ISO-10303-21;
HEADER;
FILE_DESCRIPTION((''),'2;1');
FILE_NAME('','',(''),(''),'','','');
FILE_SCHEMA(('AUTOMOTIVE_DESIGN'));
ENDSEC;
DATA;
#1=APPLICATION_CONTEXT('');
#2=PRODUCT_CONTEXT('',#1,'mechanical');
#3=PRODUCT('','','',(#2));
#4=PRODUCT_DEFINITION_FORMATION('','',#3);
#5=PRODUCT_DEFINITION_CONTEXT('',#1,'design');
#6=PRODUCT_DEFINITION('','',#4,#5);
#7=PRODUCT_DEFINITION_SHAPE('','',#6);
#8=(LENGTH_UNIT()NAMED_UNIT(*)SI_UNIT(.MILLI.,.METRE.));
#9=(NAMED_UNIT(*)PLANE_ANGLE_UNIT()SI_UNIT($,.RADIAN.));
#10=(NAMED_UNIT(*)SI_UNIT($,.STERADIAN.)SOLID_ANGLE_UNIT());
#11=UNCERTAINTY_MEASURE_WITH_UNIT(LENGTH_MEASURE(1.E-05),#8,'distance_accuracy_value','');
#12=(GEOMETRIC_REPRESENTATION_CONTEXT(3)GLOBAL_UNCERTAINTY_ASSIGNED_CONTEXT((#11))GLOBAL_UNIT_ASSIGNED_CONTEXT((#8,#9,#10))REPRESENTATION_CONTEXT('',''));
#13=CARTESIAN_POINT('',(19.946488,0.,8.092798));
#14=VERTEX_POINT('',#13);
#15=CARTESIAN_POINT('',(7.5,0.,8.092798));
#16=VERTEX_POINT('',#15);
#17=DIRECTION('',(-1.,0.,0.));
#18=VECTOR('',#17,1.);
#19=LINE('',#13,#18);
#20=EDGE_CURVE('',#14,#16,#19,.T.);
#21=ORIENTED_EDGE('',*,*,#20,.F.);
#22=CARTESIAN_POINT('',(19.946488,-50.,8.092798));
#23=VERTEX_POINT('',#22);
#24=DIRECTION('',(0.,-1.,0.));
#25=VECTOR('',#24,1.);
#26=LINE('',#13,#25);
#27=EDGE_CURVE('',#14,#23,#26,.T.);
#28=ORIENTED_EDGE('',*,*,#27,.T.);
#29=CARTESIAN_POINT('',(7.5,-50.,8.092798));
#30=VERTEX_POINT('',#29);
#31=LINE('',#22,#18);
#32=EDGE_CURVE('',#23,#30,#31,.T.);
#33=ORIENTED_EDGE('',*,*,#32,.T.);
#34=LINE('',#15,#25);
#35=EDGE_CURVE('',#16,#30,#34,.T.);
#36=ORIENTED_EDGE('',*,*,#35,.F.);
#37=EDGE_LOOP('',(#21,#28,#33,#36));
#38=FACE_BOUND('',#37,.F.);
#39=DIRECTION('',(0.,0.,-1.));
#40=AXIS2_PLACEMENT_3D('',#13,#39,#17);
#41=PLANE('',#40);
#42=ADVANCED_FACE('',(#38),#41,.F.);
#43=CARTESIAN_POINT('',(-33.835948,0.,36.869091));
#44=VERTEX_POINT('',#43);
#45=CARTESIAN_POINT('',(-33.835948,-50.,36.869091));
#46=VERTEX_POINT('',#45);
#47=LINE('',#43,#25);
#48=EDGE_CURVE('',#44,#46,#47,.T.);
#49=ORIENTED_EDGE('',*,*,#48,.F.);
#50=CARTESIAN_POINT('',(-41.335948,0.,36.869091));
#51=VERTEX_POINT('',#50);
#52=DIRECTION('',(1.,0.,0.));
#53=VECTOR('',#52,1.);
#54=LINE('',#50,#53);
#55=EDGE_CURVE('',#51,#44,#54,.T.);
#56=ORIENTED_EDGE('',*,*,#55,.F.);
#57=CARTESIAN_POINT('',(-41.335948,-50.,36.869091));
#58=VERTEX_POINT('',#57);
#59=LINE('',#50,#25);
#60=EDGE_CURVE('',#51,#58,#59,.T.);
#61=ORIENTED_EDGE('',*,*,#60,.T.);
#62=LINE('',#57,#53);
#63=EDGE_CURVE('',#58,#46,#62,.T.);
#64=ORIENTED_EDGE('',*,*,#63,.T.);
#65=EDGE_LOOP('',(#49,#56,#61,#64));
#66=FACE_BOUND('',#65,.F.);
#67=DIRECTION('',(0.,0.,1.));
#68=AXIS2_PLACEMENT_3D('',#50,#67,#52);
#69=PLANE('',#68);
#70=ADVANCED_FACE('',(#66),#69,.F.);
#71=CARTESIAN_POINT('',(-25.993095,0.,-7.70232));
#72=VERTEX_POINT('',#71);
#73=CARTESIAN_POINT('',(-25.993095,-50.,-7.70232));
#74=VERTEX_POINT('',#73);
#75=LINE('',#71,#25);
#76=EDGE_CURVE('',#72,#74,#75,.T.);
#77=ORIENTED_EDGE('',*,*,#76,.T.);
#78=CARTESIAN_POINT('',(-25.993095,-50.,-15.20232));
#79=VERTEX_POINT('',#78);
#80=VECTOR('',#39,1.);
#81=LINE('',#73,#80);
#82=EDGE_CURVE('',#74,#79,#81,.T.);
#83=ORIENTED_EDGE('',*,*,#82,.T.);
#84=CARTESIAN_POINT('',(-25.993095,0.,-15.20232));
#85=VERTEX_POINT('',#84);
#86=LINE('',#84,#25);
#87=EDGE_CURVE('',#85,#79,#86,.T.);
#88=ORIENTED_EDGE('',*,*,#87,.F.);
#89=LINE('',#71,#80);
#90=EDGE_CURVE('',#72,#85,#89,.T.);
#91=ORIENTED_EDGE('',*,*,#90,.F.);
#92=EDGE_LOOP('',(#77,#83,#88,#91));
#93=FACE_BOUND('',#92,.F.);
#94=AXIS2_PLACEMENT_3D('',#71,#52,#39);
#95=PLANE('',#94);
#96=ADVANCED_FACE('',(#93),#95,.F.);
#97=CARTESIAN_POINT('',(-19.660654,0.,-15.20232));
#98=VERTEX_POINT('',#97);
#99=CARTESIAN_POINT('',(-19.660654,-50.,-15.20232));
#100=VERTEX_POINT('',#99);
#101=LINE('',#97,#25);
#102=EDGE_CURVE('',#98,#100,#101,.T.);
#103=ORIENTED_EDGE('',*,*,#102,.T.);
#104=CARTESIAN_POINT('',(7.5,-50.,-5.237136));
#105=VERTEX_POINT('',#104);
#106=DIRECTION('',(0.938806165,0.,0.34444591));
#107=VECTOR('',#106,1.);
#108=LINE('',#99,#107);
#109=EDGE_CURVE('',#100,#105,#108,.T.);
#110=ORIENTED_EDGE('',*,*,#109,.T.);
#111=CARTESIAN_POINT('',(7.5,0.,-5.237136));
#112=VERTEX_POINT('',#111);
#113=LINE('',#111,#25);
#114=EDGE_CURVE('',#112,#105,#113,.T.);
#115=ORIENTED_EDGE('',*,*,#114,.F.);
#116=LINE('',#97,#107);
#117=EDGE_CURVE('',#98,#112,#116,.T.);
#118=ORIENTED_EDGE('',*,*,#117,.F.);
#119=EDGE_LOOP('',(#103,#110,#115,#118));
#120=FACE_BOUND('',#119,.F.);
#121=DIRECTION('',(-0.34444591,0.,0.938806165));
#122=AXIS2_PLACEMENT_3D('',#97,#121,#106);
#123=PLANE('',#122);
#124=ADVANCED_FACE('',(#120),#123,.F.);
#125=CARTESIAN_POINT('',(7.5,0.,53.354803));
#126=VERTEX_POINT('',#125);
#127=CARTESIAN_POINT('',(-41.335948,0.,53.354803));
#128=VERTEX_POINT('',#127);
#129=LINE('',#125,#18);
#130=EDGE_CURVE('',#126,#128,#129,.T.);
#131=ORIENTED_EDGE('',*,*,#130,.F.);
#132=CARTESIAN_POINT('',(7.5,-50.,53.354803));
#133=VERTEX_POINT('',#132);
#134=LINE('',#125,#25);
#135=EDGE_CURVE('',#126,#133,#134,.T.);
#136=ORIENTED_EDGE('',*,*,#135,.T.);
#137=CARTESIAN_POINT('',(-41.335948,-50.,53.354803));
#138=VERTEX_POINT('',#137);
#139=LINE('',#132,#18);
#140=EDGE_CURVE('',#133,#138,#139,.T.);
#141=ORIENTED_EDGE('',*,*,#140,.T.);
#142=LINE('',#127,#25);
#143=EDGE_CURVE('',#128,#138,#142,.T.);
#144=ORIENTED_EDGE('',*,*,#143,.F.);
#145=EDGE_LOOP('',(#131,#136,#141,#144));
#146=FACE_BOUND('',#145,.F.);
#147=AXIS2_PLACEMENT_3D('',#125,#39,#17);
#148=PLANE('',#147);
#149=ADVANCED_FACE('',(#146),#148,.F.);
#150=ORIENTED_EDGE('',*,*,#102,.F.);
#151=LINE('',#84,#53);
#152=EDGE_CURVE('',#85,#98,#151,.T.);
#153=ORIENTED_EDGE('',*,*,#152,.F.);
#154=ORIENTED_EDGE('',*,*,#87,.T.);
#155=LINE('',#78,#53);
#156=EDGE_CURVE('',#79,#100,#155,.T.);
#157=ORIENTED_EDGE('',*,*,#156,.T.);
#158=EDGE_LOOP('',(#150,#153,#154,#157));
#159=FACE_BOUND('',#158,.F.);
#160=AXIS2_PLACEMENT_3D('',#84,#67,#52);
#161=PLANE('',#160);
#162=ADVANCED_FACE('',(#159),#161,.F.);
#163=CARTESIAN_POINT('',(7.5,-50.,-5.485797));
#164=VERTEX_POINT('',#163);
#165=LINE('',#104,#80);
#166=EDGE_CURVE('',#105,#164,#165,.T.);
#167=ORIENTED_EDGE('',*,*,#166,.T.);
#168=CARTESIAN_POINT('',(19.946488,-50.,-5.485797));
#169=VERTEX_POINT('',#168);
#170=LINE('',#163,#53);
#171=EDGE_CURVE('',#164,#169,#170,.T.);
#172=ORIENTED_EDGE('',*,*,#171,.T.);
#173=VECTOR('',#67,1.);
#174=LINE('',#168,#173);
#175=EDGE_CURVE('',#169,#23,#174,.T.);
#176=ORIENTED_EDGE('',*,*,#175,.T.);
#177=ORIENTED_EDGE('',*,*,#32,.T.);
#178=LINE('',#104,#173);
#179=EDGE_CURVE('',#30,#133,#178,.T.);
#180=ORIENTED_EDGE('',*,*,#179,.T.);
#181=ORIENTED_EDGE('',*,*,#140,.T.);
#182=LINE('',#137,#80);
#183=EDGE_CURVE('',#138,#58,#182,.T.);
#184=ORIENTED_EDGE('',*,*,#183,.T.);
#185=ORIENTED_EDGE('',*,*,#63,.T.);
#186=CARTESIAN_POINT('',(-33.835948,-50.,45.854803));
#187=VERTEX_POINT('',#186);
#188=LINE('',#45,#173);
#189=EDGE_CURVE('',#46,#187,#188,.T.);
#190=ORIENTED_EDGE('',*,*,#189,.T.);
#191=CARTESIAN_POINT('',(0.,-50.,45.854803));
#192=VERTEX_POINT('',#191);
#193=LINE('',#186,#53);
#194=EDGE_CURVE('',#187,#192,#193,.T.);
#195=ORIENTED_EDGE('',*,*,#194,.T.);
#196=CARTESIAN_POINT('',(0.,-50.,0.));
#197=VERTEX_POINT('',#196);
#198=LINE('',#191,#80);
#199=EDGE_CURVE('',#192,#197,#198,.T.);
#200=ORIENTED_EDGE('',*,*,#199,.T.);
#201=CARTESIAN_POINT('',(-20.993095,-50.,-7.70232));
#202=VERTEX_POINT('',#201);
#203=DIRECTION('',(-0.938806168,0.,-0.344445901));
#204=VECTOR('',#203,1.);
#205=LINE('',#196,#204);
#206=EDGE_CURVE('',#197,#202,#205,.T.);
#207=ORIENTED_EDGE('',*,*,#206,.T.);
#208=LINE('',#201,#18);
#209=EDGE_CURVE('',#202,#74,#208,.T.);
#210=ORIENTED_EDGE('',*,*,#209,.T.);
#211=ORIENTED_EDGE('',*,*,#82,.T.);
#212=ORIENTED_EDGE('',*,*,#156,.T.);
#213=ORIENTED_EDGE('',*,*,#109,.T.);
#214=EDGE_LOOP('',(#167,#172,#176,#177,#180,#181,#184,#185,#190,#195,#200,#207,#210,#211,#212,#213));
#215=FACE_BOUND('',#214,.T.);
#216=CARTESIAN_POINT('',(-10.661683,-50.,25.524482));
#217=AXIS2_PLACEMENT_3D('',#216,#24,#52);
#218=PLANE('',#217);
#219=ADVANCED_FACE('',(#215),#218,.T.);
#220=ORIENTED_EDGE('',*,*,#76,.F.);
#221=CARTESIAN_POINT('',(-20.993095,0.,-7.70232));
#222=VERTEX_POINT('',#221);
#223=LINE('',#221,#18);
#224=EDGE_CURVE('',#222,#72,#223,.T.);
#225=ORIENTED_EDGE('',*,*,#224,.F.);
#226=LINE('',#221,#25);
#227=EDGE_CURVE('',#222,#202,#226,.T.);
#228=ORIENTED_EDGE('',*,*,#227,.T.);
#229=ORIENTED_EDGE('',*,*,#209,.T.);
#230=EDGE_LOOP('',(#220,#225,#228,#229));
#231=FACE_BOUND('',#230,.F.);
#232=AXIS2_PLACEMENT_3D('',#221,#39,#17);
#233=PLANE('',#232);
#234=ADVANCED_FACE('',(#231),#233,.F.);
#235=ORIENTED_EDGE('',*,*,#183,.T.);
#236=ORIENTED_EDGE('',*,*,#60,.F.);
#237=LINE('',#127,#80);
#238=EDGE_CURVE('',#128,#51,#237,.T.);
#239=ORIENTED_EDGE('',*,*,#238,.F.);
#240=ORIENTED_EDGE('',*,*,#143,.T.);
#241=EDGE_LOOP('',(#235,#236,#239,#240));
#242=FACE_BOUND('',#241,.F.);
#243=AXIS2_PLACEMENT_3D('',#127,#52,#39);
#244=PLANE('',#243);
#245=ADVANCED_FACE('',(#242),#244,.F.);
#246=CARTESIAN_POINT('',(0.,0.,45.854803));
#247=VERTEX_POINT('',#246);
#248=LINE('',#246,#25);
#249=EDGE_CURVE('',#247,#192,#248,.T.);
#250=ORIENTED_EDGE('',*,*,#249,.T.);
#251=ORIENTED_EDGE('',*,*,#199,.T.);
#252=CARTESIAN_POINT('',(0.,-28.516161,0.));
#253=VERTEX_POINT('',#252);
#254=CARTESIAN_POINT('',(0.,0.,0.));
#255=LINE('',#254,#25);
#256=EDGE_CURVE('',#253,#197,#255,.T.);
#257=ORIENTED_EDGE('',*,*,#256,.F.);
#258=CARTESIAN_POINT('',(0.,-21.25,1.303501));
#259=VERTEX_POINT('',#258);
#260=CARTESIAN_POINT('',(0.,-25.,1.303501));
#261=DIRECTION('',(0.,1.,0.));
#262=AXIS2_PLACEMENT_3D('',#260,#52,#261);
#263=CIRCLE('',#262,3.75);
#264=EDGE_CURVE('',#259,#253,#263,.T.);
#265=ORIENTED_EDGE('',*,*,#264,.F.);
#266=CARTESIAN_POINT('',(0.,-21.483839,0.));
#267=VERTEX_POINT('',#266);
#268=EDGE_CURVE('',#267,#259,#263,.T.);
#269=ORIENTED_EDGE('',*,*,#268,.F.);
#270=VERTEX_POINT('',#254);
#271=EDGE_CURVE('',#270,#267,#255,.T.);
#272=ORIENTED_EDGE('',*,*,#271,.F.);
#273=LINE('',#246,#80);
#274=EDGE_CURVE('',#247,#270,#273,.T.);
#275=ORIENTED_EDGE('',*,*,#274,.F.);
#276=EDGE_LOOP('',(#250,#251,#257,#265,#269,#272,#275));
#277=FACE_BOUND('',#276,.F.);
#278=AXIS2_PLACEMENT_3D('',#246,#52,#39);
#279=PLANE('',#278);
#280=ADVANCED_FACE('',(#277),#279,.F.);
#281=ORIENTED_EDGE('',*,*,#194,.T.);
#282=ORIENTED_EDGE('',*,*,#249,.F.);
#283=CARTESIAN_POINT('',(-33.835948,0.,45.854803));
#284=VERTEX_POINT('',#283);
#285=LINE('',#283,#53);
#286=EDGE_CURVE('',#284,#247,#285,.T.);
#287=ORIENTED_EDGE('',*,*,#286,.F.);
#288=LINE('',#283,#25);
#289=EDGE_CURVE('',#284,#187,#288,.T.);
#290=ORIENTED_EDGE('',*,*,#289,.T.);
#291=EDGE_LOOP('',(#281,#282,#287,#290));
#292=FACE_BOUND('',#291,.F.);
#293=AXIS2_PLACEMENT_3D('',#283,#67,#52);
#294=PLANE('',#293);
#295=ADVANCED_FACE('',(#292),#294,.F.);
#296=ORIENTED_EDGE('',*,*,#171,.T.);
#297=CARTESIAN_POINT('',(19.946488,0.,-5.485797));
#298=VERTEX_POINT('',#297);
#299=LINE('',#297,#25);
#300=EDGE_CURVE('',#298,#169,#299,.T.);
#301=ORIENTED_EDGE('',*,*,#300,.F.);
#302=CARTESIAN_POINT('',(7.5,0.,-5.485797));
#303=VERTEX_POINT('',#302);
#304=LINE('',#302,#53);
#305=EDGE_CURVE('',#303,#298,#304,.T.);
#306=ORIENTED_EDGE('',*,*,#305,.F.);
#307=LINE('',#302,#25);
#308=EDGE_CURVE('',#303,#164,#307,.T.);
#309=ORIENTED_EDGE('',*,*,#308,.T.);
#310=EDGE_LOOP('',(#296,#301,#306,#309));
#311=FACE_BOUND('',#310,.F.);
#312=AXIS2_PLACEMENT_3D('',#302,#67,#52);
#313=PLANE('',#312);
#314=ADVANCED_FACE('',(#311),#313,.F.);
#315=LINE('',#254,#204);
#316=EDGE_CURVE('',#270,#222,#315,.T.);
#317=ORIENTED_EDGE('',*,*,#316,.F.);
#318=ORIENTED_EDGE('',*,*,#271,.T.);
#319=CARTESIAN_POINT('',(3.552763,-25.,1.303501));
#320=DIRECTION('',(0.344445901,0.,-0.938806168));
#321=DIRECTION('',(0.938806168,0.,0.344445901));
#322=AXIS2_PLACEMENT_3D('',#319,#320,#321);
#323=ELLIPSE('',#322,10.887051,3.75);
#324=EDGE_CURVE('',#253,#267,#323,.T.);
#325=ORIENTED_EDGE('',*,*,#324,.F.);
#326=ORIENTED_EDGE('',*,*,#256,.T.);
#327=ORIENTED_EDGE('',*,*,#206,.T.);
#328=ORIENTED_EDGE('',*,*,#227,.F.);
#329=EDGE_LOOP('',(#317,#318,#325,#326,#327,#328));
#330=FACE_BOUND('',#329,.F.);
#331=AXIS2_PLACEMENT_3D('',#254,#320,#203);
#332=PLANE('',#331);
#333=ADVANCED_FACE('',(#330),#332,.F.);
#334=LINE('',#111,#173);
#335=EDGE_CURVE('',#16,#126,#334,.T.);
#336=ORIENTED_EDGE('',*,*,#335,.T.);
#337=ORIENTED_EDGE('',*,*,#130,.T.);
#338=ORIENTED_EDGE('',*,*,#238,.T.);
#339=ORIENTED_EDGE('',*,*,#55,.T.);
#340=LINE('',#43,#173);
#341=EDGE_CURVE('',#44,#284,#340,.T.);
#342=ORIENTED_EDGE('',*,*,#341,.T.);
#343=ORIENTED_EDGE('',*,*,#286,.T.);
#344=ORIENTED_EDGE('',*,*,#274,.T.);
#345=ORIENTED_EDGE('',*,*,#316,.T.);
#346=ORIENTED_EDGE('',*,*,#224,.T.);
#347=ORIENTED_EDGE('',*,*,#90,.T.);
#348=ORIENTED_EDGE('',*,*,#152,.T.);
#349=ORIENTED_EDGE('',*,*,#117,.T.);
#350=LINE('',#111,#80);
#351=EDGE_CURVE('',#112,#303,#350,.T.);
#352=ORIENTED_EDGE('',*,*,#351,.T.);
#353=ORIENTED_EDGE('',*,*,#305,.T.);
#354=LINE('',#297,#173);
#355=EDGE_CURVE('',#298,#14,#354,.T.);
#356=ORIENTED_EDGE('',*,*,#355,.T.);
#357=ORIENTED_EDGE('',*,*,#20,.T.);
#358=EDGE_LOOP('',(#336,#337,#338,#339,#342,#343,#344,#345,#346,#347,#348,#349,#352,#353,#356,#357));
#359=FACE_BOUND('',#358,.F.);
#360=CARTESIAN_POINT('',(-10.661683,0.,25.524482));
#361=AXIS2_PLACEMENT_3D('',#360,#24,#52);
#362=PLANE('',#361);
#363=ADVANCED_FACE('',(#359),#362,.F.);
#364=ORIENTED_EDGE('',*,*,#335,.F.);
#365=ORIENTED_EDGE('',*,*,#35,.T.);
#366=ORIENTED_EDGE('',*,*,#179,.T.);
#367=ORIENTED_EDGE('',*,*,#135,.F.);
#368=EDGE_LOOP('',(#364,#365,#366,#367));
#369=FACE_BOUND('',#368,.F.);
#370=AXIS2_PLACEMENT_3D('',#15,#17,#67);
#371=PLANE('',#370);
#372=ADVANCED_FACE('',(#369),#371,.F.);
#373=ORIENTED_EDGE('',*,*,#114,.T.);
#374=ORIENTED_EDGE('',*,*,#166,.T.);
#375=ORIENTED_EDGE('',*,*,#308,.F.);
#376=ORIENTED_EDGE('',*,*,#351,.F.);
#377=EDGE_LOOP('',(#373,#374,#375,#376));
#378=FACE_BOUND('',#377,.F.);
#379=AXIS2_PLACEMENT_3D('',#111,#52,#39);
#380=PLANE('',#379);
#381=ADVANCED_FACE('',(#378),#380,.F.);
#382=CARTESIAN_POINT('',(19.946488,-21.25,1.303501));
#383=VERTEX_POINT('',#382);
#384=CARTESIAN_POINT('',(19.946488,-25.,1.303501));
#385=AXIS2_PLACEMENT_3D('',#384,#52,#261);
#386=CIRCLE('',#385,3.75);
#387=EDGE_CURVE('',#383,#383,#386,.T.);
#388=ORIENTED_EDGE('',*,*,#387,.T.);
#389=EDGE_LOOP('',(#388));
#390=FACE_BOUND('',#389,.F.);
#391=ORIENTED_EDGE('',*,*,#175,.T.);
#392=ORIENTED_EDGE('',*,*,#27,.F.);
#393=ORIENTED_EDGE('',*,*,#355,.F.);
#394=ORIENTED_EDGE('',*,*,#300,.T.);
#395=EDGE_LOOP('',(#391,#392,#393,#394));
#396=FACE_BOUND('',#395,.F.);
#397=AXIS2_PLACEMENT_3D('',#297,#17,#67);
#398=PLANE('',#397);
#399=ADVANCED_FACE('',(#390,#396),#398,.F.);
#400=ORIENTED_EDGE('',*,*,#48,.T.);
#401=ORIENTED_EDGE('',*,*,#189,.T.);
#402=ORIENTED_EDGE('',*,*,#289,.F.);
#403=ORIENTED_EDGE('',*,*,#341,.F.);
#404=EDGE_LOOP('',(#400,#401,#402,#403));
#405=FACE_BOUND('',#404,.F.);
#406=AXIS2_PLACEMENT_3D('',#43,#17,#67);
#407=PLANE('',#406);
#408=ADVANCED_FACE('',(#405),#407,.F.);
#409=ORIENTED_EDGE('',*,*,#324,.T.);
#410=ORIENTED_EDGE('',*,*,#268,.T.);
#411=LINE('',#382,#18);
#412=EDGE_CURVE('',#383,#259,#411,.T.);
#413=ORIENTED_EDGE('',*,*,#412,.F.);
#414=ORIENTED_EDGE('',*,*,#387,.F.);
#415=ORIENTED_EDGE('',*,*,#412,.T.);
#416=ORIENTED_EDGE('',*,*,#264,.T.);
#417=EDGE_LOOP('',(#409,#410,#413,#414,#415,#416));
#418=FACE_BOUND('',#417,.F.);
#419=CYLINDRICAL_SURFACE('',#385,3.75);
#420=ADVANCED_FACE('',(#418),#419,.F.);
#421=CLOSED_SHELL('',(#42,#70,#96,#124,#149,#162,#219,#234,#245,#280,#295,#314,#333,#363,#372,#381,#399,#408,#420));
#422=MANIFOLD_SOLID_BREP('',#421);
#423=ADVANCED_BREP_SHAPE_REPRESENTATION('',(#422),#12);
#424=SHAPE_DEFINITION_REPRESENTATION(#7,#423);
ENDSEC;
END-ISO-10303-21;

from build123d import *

# Parameters (mm, degrees)
F1_DEPTH = 50
F2_R     = 3.75
F3_DEPTH = 61.283435


with BuildPart() as f1:
    # F0 (on Front) → F1 (new body)
    with BuildSketch(Plane.XZ):
        Polygon((-41.335948, 36.869091), (-33.835948, 36.869091), (-33.835948, 45.854803), (0, 45.854803), (0, 0), (-20.993095, -7.70232), (-25.993095, -7.70232), (-25.993095, -15.20232), (-19.660654, -15.20232), (7.5, -5.237136), (7.5, 8.092798), (7.5, 53.354803), (-41.335948, 53.354803), align=None)
        Polygon((19.946488, 8.092798), (7.5, 8.092798), (7.5, -5.237136), (7.5, -5.485797), (19.946488, -5.485797), align=None)
    extrude(amount=F1_DEPTH)

    # F2 (on face) → F3 (cut, through all)
    with BuildSketch(Plane.YZ.offset(19.946488)):
        with Locations((-25, 1.303501)):
            Circle(F2_R)
    extrude(amount=-F3_DEPTH, mode=Mode.SUBTRACT)


solid = f1.part
